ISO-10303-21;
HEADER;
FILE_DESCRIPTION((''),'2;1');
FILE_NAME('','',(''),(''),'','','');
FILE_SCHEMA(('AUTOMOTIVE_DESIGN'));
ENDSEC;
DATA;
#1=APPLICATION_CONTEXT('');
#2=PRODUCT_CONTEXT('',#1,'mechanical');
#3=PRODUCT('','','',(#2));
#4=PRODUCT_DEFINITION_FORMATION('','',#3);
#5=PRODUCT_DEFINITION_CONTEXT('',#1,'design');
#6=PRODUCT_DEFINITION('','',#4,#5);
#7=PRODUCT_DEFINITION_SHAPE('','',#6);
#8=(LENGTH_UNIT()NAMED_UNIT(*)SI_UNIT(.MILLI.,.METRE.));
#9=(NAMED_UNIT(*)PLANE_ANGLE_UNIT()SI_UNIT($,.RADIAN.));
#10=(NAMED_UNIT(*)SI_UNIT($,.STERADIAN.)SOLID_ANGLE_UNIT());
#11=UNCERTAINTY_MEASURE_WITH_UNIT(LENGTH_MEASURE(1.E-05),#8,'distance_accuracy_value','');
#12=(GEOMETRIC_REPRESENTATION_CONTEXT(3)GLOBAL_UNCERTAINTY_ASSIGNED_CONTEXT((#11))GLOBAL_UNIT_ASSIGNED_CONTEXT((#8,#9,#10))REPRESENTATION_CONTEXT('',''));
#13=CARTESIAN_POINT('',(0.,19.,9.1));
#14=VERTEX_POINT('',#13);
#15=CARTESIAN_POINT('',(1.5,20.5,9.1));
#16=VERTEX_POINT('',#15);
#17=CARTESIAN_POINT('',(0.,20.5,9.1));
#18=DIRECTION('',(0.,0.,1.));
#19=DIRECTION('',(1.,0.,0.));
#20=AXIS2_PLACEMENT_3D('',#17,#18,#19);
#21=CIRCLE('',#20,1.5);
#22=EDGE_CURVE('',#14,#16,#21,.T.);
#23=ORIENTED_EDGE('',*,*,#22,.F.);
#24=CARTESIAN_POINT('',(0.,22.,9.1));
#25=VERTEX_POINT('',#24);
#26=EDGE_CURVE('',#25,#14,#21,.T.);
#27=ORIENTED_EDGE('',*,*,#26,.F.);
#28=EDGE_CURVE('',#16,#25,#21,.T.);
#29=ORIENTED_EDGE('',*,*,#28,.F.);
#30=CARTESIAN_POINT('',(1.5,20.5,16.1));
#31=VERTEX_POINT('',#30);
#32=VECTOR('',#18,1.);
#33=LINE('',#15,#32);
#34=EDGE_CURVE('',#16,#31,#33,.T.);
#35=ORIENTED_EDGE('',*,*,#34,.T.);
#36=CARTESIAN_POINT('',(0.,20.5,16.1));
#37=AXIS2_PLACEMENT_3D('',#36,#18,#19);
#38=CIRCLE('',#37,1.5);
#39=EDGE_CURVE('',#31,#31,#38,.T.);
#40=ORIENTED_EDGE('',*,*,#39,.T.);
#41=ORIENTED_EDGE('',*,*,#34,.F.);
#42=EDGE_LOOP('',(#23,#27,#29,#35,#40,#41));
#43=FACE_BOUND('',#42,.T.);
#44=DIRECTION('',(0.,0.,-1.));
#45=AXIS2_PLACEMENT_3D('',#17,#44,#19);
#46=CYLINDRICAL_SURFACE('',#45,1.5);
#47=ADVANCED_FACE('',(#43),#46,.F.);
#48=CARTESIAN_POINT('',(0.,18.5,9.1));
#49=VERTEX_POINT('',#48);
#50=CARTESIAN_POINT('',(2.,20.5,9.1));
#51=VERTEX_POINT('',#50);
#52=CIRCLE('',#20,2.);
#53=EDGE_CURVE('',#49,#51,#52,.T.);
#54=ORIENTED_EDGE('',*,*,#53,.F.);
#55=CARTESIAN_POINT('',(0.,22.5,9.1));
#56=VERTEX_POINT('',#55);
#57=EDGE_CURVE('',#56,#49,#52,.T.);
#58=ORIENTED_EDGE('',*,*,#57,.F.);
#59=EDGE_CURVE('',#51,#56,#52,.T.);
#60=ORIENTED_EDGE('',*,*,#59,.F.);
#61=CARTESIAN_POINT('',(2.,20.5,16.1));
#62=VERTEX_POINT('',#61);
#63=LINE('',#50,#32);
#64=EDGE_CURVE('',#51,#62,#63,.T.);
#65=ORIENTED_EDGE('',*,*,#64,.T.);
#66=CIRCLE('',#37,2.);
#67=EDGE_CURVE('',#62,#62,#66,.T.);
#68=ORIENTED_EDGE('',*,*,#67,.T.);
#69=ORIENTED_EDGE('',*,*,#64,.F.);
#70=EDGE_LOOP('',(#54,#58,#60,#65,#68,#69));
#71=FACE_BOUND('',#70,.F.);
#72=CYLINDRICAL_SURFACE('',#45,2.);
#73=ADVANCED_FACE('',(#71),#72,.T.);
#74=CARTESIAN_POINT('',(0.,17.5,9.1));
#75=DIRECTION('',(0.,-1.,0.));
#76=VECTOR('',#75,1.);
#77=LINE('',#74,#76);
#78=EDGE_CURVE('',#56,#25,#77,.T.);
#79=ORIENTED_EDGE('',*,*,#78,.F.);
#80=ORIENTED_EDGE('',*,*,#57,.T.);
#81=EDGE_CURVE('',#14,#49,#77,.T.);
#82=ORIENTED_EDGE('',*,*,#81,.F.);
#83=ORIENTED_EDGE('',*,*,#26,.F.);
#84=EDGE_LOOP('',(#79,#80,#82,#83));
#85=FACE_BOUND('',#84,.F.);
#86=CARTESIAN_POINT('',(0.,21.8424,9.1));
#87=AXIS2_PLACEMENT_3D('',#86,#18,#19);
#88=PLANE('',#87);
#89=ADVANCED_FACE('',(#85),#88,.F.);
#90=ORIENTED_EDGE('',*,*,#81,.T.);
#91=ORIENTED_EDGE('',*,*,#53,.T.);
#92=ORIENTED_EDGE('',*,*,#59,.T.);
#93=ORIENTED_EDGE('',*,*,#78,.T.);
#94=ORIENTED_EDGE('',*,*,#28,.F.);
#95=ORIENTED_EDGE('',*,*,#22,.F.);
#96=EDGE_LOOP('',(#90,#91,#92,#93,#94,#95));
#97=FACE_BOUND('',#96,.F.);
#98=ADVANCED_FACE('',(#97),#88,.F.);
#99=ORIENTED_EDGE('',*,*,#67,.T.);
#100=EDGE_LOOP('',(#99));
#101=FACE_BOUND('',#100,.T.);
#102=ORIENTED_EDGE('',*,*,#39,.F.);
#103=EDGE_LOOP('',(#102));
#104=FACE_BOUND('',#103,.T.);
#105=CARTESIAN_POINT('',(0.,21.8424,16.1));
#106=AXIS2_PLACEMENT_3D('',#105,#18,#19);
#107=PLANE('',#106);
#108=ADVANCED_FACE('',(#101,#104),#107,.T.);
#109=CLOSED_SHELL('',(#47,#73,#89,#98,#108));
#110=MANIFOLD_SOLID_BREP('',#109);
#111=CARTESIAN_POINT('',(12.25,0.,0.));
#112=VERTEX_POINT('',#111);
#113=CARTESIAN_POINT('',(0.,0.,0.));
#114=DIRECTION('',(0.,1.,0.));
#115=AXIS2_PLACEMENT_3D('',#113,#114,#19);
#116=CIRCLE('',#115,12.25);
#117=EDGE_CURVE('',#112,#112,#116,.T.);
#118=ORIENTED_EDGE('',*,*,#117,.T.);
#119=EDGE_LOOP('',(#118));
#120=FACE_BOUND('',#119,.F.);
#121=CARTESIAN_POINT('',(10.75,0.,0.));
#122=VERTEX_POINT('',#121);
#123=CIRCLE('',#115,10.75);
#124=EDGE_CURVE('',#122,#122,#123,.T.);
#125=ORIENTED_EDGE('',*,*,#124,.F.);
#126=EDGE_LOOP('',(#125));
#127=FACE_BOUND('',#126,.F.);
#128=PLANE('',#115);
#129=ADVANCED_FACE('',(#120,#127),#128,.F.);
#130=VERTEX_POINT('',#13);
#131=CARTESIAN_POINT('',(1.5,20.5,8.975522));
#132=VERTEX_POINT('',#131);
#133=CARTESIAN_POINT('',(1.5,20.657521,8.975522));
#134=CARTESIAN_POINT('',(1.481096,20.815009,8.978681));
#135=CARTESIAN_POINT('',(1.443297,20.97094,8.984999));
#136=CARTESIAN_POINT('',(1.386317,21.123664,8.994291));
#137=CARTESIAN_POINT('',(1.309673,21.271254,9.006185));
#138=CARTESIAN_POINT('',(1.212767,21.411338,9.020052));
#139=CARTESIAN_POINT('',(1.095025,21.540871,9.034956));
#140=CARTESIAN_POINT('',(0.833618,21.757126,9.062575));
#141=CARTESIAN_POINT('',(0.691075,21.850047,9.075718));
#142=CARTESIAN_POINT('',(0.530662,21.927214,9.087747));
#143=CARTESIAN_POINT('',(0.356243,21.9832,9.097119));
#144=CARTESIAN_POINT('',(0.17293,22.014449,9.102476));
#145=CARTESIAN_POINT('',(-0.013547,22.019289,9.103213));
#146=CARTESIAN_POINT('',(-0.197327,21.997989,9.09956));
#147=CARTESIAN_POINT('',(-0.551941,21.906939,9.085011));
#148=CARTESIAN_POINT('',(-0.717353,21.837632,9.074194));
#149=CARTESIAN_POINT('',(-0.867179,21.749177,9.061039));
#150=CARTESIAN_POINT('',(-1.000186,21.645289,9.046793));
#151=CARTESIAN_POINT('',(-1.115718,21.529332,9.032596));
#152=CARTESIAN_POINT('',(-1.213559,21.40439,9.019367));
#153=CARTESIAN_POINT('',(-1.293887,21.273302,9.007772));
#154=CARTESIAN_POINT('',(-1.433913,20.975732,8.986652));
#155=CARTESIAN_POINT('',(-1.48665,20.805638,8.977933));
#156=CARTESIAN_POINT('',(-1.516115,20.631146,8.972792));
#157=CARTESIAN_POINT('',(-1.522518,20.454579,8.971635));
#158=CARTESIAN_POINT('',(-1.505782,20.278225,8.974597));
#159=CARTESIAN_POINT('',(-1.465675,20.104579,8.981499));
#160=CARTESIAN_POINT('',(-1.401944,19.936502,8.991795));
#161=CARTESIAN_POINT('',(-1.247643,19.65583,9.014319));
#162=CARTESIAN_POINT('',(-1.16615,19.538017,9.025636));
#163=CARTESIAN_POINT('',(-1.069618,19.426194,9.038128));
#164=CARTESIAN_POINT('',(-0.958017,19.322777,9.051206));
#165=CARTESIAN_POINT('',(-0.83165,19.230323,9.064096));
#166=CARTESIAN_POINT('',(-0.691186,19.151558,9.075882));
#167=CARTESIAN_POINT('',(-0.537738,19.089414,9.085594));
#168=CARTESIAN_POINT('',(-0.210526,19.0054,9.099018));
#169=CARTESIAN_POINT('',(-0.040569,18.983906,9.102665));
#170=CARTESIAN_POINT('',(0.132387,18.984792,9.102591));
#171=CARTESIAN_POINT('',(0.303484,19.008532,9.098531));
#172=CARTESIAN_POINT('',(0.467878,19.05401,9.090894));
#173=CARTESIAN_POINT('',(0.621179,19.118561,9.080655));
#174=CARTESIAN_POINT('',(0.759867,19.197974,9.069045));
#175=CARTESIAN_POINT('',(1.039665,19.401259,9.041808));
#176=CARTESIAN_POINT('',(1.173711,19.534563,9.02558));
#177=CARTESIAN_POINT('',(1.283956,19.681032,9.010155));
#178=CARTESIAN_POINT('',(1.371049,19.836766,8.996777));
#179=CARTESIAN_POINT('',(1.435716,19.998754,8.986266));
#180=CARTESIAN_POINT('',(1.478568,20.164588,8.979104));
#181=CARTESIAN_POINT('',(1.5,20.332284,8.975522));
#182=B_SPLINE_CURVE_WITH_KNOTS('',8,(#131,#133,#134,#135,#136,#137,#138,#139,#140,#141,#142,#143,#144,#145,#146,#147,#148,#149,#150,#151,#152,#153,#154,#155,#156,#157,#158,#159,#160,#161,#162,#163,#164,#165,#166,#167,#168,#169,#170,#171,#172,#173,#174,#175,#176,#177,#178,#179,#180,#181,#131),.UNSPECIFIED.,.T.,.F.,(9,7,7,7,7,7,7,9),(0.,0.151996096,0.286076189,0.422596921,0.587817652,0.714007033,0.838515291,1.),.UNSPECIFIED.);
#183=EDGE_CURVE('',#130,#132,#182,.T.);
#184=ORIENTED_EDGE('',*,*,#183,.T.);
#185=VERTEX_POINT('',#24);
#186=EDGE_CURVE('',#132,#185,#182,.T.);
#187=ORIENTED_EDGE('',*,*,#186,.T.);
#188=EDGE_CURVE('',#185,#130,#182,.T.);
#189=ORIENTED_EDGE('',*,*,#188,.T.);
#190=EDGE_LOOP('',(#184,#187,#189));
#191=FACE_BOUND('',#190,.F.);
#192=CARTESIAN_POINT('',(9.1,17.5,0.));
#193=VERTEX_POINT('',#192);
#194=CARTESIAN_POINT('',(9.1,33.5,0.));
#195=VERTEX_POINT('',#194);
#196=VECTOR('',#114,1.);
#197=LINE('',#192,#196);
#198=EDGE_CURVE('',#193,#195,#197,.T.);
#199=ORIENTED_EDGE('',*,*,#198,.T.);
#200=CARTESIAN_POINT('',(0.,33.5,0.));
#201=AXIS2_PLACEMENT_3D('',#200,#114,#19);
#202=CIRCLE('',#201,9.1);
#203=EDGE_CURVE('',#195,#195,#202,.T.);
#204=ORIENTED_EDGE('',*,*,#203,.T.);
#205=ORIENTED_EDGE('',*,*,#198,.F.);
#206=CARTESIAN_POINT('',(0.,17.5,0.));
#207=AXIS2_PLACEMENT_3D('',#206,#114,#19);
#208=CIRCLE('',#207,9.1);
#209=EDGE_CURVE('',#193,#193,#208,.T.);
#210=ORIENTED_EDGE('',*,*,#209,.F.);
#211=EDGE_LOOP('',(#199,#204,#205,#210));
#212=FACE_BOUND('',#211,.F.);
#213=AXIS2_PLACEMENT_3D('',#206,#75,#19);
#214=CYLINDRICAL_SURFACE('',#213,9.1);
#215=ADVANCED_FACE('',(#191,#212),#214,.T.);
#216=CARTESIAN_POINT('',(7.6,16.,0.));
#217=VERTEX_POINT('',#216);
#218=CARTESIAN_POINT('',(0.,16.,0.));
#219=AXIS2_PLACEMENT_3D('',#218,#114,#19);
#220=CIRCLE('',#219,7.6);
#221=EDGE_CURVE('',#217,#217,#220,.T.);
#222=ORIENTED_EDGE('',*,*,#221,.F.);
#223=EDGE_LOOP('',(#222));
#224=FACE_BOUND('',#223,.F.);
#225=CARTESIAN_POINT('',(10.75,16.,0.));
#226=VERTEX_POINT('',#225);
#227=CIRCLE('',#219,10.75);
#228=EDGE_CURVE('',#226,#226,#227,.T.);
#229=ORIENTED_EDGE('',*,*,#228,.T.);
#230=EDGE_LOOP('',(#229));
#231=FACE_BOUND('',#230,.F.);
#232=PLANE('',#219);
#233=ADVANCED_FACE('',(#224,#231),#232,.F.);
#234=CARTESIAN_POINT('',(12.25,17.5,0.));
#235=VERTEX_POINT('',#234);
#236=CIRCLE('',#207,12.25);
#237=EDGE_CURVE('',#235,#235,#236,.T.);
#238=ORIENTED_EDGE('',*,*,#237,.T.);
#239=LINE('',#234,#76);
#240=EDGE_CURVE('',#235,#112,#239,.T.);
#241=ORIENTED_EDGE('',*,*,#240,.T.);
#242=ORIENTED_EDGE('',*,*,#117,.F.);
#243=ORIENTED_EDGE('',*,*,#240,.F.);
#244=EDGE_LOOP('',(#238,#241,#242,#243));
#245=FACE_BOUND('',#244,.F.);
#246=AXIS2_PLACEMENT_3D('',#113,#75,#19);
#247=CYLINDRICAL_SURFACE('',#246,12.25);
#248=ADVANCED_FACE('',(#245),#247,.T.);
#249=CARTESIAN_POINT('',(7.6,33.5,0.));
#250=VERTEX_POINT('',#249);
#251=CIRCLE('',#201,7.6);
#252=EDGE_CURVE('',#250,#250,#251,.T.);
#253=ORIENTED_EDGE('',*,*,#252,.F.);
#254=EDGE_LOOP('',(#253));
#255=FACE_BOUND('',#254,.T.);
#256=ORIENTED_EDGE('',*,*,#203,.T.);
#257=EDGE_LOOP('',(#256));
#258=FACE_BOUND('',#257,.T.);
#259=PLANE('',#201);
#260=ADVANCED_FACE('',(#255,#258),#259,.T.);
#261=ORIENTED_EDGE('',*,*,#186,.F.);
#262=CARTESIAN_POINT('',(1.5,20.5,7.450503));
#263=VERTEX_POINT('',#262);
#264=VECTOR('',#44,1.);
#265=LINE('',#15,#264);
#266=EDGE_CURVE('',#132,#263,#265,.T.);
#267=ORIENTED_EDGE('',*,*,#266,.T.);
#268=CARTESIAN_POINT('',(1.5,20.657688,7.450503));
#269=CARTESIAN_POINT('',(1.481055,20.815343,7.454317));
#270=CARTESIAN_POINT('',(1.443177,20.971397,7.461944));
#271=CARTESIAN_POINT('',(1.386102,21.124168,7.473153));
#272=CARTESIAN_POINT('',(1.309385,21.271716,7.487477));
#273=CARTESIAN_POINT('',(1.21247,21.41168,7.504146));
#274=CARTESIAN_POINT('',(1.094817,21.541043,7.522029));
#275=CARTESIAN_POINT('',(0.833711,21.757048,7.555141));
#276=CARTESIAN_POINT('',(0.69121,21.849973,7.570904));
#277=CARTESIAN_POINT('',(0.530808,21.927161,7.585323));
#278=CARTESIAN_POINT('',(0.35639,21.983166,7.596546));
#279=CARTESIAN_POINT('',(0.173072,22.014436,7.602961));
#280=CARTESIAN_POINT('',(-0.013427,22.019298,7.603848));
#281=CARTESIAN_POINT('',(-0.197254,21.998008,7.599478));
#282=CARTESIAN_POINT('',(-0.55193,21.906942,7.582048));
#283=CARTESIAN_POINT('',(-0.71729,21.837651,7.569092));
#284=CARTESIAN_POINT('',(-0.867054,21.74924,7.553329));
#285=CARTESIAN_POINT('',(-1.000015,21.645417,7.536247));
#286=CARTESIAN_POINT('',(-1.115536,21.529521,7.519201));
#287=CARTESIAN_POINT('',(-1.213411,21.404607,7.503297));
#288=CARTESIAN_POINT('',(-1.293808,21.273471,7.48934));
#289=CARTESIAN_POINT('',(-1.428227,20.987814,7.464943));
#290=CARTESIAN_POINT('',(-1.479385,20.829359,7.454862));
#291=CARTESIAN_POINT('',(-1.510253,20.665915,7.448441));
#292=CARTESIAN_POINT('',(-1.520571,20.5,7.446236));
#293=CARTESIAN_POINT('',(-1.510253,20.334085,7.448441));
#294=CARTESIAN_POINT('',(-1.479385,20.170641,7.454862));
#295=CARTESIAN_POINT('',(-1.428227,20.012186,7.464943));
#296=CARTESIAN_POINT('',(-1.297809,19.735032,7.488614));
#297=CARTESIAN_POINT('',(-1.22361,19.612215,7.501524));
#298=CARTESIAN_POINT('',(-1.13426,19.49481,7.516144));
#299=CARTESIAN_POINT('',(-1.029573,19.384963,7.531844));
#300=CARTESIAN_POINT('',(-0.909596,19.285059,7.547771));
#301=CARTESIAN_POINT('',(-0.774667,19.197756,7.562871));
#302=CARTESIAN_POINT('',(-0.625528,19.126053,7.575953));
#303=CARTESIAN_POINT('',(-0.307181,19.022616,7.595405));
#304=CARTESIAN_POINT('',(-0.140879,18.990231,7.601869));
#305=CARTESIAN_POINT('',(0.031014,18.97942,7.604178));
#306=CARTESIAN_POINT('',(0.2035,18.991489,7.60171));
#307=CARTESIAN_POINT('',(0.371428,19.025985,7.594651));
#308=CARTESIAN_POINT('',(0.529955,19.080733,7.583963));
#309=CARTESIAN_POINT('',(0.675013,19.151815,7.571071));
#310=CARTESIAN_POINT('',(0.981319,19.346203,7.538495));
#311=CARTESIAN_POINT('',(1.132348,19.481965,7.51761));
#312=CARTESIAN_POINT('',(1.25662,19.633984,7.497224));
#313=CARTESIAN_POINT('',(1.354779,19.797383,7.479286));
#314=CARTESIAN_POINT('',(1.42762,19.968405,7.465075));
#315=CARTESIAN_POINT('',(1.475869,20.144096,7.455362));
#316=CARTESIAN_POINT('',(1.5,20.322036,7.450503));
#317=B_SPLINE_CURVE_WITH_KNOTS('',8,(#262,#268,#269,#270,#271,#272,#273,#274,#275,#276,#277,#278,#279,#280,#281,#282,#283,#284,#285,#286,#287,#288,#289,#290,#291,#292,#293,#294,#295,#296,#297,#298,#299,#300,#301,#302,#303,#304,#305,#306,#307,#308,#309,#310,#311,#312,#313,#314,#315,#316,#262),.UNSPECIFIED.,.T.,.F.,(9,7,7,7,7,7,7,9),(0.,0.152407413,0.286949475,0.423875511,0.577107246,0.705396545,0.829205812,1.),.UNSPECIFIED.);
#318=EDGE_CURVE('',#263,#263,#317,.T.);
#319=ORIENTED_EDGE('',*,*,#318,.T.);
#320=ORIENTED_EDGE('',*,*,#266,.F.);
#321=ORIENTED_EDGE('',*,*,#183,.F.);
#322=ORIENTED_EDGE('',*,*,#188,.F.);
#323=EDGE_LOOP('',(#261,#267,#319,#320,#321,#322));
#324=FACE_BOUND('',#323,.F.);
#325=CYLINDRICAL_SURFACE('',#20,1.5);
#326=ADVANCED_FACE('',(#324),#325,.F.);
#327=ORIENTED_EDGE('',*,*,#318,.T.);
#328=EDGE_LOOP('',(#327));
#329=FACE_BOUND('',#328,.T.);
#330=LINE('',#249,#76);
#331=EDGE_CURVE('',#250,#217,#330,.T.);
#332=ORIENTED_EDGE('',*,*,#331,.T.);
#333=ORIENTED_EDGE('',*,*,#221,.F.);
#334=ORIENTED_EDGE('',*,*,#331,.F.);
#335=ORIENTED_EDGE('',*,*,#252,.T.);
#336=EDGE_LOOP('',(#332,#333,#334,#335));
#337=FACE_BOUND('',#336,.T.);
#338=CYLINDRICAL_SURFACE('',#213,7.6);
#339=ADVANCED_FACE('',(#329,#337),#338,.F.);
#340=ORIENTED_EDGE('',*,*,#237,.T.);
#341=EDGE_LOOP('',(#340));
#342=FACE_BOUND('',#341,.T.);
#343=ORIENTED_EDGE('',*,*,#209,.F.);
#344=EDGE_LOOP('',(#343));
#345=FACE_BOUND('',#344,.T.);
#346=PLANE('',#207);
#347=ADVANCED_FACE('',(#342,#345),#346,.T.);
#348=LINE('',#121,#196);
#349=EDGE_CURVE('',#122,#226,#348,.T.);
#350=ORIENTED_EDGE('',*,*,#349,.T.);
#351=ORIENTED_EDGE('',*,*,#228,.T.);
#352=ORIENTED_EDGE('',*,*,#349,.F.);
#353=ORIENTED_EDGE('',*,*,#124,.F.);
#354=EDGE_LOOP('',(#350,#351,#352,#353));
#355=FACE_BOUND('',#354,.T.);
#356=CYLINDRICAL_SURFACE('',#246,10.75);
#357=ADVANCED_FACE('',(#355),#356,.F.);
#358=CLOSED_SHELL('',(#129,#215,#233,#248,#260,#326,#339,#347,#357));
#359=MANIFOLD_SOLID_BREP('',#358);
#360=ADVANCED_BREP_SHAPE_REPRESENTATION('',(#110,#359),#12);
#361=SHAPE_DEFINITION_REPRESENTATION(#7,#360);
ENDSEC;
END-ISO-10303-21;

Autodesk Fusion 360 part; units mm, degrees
sketch "Sketch1" plane through (0, 0, 0) normal (0, 1, 0) x (1, 0, 0)
  circle A0 centre (0, 0) radius 12.25
  circle A1 centre (0, 0) radius 10.75
  dimension "d1" = 24.5
  dimension "d2" = 1.5
extrude "Extrude1" add sketch "Sketch1" along normal blind 16 makes body 1
ref_plane "WorkPlane1" through (0, 16, 0) normal (0, 1, 0) x (1, 0, 0)
sketch "Sketch2" plane through (0, 16, 0) normal (0, 1, 0) x (1, 0, 0)
  circle A0 centre (0, 0) radius 12.25
  circle A1 centre (0, 0) radius 12.25
extrude "Extrude2" add sketch "Sketch2" along normal blind 1.5 bodies 1
ref_plane "WorkPlane2" through (0, 17.5, 0) normal (0, 1, 0) x (1, 0, 0)
sketch "Sketch3" plane through (0, 17.5, 0) normal (0, 1, 0) x (1, 0, 0)
  circle A0 centre (0, 0) radius 7.6
  circle A1 centre (0, 0) radius 9.1
  dimension "d9" = 15.2
  dimension "d10" = 1.5
extrude "Extrude4" add sketch "Sketch3" along normal blind 16 bodies 1
extrude "Extrude3" cut sketch "Sketch3" against normal blind 1.5 contours A0 bodies 1
ref_plane "WorkPlane3" through (0, 21.8424, 9.1) normal (0, 0, 1) x (-1, 0, 0)
sketch "Sketch4" plane through (0, 21.8424, 9.1) normal (0, 0, 1) x (1, 0, 0)
  circle A0 centre (0, -1.3424) radius 2
  circle A1 centre (0, -1.3424) radius 1.5
  line L0 (0, 0) -> (0, 13.5992) construction
  line L1 (9.1, -4.3424) -> (-9.1, -4.3424) construction
  dimension "d16" = 4
  dimension "d17" = 0.5
  dimension "d18" = 3
extrude "Extrude6" add sketch "Sketch4" along normal blind 7 bodies 1
extrude "Extrude5" cut sketch "Sketch4" along normal mid plane 10 contours A1 bodies 1
copy_body "Body->Comp1" bodies 1 removing the originals makes body 2 in component "Adapter"
component "Adapter" placed x (1, 0, 0) y (0, 1, 0) z (0, 0, 1) at (0, 0, 0)
